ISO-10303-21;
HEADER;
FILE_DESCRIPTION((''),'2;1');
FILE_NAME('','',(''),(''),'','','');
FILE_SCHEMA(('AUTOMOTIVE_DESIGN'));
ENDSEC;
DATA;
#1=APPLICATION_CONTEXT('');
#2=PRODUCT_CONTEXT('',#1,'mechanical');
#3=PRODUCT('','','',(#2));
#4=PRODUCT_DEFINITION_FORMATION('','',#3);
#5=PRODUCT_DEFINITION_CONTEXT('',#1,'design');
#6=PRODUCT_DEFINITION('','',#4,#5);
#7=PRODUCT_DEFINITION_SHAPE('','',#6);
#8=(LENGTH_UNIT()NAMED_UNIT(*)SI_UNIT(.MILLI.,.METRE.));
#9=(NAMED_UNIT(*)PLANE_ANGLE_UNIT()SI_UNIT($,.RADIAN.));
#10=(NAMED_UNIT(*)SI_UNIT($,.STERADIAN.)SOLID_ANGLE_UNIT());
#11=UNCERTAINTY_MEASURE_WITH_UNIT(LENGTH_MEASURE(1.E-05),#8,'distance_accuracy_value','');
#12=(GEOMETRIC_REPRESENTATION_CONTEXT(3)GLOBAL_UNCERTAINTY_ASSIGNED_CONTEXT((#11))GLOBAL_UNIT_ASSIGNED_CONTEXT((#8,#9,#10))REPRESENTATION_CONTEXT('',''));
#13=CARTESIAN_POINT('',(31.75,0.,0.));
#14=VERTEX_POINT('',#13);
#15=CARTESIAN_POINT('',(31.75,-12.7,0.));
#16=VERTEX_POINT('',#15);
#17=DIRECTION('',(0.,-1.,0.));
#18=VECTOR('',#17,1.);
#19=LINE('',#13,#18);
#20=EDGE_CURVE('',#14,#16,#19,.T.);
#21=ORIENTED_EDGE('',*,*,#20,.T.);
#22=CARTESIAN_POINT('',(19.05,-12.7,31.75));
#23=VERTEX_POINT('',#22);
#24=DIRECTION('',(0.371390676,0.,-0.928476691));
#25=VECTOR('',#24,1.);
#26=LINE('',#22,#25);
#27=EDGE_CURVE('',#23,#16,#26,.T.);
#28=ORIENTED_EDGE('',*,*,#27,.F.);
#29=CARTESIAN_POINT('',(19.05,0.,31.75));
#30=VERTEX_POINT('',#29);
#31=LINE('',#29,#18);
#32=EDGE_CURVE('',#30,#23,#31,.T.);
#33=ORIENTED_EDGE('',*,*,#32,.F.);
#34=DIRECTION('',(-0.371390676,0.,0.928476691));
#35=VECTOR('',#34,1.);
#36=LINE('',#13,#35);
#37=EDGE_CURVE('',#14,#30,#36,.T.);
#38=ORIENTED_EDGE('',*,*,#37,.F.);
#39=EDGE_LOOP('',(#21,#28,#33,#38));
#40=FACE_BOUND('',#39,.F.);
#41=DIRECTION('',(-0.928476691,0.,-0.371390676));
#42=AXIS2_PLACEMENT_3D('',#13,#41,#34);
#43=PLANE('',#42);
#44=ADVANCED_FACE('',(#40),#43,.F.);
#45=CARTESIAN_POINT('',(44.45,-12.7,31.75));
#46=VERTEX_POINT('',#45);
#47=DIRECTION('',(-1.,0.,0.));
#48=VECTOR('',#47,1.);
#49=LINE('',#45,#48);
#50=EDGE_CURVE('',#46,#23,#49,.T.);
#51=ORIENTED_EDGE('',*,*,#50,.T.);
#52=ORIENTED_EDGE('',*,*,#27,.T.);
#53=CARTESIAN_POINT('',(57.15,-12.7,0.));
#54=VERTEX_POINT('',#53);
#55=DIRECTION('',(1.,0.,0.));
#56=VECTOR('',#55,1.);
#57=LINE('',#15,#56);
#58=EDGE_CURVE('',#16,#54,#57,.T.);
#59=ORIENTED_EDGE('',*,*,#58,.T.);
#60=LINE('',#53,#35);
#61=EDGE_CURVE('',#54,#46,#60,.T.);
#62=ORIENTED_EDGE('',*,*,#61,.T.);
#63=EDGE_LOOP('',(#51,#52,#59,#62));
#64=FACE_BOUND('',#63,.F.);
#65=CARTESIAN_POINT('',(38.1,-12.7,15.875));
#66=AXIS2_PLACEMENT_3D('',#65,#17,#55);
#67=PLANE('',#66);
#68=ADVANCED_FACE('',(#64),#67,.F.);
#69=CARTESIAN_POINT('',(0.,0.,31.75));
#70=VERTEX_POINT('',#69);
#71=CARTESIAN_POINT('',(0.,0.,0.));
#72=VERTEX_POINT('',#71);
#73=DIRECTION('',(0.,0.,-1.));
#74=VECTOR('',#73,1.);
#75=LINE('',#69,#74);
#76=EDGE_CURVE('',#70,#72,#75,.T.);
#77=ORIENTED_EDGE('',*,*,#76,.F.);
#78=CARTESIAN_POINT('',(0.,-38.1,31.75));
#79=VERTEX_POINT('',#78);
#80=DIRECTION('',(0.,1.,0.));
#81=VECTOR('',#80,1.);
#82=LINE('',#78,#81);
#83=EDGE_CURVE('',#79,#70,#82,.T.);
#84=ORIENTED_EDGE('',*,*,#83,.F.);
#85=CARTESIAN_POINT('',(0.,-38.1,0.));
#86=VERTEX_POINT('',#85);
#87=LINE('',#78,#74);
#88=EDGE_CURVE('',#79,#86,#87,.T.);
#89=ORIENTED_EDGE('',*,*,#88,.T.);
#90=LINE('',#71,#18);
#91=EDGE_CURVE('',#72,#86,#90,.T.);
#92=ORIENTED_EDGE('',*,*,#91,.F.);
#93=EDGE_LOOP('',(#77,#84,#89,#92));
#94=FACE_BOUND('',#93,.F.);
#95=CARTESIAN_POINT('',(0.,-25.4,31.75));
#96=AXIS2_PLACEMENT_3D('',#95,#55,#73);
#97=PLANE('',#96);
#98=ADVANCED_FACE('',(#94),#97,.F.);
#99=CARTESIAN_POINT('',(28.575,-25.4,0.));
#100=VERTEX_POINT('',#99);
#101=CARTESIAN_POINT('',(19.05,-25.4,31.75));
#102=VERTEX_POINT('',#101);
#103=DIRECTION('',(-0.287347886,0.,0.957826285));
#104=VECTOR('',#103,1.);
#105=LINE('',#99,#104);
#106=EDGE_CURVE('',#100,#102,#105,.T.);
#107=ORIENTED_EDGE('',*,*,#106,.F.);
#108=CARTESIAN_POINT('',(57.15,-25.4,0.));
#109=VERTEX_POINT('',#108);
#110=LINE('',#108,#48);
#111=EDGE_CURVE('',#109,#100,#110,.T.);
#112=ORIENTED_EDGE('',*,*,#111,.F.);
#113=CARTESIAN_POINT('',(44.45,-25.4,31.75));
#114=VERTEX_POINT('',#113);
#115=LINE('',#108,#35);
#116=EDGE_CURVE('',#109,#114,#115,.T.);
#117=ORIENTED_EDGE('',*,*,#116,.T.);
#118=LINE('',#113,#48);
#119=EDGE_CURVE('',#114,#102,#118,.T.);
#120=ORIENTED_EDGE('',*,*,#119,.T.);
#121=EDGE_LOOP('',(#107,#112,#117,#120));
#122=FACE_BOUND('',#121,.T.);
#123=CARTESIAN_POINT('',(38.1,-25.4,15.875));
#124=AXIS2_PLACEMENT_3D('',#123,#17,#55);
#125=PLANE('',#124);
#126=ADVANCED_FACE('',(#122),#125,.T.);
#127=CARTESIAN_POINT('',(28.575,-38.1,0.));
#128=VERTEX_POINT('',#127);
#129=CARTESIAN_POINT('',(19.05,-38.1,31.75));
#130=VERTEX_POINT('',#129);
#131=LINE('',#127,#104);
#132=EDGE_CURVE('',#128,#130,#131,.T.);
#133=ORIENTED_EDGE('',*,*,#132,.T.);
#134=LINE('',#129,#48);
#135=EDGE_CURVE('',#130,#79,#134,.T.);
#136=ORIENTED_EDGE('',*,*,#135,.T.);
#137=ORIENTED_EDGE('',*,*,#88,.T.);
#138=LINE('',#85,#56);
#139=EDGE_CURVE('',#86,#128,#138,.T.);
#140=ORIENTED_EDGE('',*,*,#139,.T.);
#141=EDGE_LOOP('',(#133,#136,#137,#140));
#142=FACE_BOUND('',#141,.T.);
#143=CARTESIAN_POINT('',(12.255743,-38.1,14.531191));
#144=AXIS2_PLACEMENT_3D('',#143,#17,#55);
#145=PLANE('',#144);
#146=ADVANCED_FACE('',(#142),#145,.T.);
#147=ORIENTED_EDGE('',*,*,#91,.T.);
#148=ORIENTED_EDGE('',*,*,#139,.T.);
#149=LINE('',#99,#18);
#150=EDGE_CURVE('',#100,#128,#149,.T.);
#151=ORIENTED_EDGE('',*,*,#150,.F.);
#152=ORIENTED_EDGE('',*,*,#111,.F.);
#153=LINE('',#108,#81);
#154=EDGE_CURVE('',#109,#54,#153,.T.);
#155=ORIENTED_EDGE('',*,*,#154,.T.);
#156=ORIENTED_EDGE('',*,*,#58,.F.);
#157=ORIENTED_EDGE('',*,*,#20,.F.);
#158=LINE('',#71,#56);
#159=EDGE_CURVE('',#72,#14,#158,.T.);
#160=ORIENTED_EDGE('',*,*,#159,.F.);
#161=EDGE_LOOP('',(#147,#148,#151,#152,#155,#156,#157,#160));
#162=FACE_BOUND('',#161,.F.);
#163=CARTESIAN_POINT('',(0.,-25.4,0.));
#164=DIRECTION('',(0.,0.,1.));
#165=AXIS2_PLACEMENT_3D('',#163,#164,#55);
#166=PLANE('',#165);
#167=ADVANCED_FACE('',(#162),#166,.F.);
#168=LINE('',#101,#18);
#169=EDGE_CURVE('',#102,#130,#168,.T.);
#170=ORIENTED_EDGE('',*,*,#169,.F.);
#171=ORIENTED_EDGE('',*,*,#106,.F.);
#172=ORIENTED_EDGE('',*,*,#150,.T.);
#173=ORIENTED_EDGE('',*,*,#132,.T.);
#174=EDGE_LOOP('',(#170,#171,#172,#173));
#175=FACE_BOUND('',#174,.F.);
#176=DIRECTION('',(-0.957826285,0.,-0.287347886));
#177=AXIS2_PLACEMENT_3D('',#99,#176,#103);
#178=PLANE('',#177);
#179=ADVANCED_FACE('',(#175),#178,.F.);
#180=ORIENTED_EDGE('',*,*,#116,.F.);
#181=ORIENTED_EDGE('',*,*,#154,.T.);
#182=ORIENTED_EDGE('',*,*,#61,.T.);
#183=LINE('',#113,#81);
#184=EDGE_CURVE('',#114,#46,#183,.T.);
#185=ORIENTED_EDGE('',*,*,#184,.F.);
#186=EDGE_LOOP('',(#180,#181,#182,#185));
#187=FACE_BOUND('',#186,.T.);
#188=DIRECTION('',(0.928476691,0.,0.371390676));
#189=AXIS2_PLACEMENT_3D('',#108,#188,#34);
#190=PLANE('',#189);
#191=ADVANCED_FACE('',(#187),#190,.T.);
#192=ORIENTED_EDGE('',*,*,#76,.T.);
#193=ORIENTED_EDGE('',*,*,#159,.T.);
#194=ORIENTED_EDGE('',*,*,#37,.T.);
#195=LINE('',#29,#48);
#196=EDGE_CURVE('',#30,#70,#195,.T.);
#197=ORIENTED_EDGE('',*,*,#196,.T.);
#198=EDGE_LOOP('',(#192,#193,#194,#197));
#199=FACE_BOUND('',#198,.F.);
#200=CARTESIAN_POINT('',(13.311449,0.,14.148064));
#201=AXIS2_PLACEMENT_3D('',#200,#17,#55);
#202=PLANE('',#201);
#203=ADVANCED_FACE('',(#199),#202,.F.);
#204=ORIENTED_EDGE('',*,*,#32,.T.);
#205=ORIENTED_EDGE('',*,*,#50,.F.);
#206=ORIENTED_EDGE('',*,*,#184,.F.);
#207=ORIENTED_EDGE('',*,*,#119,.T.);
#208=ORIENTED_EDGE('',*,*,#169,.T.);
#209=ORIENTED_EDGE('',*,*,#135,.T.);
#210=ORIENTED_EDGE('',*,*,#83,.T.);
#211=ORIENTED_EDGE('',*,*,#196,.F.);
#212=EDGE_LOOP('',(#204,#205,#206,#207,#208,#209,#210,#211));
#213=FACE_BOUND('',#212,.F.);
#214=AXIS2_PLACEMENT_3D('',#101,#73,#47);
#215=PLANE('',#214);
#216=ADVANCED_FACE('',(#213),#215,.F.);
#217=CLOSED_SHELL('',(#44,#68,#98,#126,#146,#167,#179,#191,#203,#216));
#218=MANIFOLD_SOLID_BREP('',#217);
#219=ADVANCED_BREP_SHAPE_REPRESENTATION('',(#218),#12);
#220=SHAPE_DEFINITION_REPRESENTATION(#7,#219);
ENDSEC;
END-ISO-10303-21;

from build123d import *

# Parameters (mm, degrees)
F1_DEPTH = 25.4
F3_DEPTH = 12.7
F5_DEPTH = 12.7


with BuildPart() as f1:
    # F0 (on Front) → F1 (new body)
    with BuildSketch(Plane.XZ):
        Polygon((0, 31.75), (0, 0), (31.75, 0), (19.05, 31.75), align=None)
    extrude(amount=F1_DEPTH)

    # F2 (on face) → F3 (join)
    with BuildSketch(Plane.XZ.offset(25.4)):
        Polygon((19.05, 31.75), (31.75, 0), (57.15, 0), (44.45, 31.75), align=None)
    extrude(amount=-F3_DEPTH)

    # F4 (on face) → F5 (join)
    with BuildSketch(Plane.XZ.offset(25.4)):
        Polygon((0, 31.75), (0, 0), (28.575, 0), (19.05, 31.75), align=None)
    extrude(amount=F5_DEPTH)


solid = f1.part
